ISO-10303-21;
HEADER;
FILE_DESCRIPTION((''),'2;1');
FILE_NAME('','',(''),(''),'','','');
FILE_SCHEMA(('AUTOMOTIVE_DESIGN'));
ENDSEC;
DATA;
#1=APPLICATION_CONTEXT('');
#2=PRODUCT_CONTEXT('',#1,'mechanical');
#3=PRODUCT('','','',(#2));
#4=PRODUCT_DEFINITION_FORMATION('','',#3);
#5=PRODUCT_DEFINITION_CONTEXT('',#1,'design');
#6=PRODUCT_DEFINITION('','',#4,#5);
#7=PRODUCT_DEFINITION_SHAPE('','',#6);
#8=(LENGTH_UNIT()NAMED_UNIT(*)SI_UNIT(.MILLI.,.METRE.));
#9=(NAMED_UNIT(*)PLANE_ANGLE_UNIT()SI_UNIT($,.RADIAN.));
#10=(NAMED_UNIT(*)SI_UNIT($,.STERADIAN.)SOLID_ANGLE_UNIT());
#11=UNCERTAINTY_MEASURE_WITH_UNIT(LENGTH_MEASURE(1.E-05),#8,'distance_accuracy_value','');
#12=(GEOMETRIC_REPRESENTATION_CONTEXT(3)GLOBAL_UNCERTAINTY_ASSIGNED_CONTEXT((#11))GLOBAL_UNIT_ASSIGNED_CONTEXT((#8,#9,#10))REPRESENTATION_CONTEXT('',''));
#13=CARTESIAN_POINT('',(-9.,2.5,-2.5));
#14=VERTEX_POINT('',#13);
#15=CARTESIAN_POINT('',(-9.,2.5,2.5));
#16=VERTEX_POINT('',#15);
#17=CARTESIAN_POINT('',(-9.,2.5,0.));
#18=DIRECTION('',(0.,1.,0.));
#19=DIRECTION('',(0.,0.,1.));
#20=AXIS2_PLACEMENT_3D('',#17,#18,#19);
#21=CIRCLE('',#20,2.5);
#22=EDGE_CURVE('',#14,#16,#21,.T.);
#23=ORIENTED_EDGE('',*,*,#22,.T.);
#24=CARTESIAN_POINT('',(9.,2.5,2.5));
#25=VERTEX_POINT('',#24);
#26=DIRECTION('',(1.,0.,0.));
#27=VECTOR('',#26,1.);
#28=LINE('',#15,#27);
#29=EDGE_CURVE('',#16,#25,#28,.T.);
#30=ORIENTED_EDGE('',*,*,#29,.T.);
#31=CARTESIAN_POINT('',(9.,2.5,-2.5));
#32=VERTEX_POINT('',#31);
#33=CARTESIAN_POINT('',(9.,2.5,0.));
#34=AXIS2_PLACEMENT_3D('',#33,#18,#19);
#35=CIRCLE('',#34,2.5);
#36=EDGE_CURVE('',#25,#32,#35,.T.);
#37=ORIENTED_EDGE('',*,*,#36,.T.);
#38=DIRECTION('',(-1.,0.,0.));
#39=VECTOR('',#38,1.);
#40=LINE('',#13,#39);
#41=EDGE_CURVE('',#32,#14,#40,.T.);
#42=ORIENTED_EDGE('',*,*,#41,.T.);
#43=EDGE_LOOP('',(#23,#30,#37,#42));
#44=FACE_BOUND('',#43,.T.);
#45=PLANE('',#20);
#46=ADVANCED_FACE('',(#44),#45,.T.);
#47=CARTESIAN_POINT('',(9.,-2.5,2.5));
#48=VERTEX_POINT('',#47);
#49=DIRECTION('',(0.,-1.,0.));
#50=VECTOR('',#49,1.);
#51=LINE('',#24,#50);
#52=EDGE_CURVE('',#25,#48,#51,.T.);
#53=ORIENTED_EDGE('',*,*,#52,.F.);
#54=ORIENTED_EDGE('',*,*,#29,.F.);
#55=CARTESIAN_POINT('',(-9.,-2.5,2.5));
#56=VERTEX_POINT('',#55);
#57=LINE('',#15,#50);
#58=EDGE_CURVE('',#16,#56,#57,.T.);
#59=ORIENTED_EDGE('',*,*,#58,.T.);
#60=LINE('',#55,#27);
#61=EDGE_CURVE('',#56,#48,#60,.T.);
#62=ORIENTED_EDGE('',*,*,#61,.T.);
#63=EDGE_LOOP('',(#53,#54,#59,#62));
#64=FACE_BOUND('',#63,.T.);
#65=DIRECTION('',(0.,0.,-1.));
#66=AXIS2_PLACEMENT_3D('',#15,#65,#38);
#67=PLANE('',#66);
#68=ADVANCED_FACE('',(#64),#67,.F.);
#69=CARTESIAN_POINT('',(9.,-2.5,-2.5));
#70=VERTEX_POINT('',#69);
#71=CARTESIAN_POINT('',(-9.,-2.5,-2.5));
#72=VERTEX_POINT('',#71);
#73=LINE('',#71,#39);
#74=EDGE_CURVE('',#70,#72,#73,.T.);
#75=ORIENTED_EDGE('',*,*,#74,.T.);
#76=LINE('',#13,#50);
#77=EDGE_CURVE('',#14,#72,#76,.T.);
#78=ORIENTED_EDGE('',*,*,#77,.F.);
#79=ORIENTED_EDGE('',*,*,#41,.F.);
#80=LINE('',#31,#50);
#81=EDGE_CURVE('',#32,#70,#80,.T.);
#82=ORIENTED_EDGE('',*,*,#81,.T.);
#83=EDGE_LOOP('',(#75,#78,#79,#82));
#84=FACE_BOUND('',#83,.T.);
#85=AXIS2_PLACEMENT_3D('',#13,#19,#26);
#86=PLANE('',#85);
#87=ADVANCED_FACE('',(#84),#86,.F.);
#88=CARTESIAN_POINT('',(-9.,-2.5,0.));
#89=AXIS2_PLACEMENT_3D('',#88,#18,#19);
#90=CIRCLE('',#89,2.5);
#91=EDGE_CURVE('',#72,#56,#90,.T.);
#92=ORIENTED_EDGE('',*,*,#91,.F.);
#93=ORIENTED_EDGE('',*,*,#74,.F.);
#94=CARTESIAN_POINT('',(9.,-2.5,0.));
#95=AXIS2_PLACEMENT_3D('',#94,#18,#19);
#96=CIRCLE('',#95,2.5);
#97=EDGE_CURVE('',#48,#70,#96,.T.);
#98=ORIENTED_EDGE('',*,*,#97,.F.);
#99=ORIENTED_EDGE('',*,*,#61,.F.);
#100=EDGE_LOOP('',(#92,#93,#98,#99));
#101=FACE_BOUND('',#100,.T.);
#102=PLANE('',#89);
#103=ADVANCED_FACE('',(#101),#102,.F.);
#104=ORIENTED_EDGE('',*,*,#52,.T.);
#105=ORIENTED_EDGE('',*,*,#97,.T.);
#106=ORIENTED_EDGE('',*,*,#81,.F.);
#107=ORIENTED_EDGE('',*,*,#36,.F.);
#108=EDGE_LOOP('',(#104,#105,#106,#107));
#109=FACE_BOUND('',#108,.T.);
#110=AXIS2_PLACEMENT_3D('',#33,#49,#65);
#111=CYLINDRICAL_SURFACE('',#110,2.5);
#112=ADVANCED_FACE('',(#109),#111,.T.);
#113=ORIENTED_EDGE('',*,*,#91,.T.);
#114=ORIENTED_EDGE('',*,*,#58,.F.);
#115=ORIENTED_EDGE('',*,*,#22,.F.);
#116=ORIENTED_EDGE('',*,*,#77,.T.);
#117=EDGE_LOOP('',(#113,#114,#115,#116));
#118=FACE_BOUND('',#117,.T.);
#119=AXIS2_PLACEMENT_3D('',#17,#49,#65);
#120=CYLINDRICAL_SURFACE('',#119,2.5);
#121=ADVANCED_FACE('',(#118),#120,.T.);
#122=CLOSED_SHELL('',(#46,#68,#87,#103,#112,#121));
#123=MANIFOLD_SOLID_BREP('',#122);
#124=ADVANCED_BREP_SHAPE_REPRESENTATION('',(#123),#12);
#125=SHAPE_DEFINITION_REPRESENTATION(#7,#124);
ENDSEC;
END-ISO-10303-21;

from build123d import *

# Parameters (mm, degrees)
EXTRUDE_1_DEPTH = 2.5


with BuildPart() as part:
    # ｽｹｯﾁ1 → ﾎﾞｽ - 押し出し1 (new, symmetric)
    with BuildSketch(Plane(origin=(0, 0, 0), x_dir=(1, 0, 0), z_dir=(0, 1, 0))):
        with BuildLine():
            Line((-9, 2.5), (9, 2.5))
            ThreePointArc((9, 2.5), (11.5, 0), (9, -2.5))
            Line((9, -2.5), (-9, -2.5))
            ThreePointArc((-9, -2.5), (-11.5, 0), (-9, 2.5))
        make_face()
    extrude(amount=EXTRUDE_1_DEPTH, both=True)


solid = part.part
